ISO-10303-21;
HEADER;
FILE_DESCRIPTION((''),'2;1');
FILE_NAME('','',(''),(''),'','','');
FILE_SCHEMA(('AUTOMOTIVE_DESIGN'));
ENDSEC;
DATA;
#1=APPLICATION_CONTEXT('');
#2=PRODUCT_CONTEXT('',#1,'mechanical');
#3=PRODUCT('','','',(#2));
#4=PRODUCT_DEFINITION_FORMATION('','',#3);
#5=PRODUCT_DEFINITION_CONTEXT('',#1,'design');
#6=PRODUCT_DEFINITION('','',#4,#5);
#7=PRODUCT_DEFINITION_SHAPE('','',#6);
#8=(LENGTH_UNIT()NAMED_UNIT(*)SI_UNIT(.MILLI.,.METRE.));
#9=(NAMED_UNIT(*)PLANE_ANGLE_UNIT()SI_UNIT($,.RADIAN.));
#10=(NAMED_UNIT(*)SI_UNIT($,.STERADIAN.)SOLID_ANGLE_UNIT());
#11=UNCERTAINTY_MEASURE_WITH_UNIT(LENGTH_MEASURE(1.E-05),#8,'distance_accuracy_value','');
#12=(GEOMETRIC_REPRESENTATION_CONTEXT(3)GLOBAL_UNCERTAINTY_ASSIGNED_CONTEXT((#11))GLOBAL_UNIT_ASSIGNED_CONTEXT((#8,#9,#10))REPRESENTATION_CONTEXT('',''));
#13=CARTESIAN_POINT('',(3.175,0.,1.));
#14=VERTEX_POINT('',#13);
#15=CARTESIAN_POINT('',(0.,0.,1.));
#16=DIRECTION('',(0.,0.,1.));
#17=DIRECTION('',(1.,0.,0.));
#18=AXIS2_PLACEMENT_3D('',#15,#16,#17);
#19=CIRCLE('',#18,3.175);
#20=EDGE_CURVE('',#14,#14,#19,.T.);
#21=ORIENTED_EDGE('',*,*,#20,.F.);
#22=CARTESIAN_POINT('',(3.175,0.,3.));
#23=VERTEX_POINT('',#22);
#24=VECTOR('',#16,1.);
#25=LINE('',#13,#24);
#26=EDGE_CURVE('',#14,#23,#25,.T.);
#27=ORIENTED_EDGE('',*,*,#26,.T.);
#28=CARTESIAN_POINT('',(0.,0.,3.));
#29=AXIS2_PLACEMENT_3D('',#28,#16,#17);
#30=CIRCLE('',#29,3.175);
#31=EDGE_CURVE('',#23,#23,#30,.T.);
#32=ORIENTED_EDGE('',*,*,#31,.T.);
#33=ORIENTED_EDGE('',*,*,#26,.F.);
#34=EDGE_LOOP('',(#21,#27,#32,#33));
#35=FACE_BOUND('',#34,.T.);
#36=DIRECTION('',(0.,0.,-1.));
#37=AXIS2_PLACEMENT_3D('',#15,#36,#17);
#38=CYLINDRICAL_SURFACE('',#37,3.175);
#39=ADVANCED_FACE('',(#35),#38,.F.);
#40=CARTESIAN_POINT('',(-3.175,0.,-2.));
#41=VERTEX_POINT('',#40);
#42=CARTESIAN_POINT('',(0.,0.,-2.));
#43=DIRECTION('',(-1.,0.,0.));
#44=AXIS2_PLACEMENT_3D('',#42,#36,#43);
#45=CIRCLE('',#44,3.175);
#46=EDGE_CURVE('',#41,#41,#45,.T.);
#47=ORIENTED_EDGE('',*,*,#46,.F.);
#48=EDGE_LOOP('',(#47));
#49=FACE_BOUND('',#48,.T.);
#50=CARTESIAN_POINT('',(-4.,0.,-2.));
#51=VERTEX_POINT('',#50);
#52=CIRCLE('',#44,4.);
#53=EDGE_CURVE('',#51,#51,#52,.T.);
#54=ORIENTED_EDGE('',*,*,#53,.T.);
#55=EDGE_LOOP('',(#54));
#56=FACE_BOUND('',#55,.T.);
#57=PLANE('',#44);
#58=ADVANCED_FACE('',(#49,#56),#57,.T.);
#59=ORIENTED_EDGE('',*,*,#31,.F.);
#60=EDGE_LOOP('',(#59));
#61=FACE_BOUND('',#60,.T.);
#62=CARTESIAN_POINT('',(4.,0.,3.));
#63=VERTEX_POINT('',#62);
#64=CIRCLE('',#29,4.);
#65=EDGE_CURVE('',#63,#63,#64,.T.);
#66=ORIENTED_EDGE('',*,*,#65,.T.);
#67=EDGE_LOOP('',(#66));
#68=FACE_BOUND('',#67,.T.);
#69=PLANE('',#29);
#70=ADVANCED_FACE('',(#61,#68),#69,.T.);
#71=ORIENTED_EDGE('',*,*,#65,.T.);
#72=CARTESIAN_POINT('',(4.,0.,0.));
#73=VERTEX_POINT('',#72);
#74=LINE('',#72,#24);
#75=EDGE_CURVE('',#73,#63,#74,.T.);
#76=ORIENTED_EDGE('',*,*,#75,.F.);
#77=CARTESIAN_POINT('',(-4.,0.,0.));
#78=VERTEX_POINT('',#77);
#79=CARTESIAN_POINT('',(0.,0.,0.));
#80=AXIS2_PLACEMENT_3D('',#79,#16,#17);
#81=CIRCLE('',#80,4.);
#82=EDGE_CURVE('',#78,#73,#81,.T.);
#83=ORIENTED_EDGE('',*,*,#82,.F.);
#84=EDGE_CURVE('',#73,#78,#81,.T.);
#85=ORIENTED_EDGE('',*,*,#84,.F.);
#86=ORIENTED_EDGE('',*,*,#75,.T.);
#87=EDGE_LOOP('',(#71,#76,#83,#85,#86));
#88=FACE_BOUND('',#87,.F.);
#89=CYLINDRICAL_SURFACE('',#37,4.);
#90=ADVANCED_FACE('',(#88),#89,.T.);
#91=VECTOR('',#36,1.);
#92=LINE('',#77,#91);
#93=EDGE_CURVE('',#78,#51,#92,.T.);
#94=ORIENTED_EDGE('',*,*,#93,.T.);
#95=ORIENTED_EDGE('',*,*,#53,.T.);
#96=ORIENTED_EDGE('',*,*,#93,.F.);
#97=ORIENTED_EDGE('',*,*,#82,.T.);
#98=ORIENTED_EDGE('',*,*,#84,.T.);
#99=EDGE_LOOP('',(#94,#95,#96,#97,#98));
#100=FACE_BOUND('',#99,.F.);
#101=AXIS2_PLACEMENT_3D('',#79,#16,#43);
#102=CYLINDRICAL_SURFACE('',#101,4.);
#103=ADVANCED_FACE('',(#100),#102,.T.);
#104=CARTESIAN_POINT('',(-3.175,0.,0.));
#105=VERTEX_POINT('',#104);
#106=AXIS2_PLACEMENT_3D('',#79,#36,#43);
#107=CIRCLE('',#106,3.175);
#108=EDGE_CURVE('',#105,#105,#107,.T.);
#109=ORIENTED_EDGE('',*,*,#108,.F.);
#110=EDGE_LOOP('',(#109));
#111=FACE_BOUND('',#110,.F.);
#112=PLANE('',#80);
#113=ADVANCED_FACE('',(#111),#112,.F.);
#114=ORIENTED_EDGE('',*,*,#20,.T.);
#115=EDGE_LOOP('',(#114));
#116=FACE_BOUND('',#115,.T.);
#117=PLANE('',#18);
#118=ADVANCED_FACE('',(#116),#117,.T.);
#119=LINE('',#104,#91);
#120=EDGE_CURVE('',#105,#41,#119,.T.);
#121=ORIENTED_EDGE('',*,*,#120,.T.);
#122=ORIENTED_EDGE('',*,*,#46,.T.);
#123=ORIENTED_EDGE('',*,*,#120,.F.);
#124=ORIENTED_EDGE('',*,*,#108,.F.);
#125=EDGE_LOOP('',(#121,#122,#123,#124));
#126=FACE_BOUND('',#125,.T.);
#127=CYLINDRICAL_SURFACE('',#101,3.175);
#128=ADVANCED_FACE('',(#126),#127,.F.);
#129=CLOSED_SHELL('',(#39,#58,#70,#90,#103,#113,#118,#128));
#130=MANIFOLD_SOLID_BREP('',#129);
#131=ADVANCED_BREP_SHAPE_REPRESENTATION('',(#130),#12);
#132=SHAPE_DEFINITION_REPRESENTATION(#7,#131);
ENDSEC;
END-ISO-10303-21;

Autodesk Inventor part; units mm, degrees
ref_plane "YZ Plane" through (0, 0, 0) normal (1, 0, 0) x (0, 1, 0)
ref_plane "XZ Plane" through (0, 0, 0) normal (0, 1, 0) x (-1, 0, 0)
ref_plane "XY Plane" through (0, 0, 0) normal (0, 0, 1) x (1, 0, 0)
sketch "Sketch1" plane through (0, 0, 0) normal (0, 0, 1) x (1, 0, 0)
  circle A0 centre (0, 0) radius 4
  circle A1 centre (0, 0) radius 3.175
  dimension "d0" = 8
  dimension "d1" = 6.35
extrude "Extrusion1" add sketch "Sketch1" along normal blind 1 contours A0 | A1
sketch "Sketch2" plane through (0, 0, 1) normal (0, 0, 1) x (1, 0, 0)
  circle A0 centre (0, 0) radius 4 projected
  circle A1 centre (0, 0) radius 4
  circle A2 centre (0, 0) radius 3.175
  dimension "d4" = 8
  dimension "d5" = 6.35
extrude "Extrusion2" add sketch "Sketch2" along normal blind 2
sketch "Sketch3" plane through (0, 0, 0) normal (0, 0, -1) x (-1, 0, 0)
  circle A0 centre (0, 0) radius 4 projected
  circle A1 centre (0, 0) radius 4
  circle A2 centre (0, 0) radius 3.175
  dimension "d8" = 8
  dimension "d9" = 6.35
extrude "Extrusion3" add sketch "Sketch3" along normal blind 2
properties part number "Pusher.Midplate"
